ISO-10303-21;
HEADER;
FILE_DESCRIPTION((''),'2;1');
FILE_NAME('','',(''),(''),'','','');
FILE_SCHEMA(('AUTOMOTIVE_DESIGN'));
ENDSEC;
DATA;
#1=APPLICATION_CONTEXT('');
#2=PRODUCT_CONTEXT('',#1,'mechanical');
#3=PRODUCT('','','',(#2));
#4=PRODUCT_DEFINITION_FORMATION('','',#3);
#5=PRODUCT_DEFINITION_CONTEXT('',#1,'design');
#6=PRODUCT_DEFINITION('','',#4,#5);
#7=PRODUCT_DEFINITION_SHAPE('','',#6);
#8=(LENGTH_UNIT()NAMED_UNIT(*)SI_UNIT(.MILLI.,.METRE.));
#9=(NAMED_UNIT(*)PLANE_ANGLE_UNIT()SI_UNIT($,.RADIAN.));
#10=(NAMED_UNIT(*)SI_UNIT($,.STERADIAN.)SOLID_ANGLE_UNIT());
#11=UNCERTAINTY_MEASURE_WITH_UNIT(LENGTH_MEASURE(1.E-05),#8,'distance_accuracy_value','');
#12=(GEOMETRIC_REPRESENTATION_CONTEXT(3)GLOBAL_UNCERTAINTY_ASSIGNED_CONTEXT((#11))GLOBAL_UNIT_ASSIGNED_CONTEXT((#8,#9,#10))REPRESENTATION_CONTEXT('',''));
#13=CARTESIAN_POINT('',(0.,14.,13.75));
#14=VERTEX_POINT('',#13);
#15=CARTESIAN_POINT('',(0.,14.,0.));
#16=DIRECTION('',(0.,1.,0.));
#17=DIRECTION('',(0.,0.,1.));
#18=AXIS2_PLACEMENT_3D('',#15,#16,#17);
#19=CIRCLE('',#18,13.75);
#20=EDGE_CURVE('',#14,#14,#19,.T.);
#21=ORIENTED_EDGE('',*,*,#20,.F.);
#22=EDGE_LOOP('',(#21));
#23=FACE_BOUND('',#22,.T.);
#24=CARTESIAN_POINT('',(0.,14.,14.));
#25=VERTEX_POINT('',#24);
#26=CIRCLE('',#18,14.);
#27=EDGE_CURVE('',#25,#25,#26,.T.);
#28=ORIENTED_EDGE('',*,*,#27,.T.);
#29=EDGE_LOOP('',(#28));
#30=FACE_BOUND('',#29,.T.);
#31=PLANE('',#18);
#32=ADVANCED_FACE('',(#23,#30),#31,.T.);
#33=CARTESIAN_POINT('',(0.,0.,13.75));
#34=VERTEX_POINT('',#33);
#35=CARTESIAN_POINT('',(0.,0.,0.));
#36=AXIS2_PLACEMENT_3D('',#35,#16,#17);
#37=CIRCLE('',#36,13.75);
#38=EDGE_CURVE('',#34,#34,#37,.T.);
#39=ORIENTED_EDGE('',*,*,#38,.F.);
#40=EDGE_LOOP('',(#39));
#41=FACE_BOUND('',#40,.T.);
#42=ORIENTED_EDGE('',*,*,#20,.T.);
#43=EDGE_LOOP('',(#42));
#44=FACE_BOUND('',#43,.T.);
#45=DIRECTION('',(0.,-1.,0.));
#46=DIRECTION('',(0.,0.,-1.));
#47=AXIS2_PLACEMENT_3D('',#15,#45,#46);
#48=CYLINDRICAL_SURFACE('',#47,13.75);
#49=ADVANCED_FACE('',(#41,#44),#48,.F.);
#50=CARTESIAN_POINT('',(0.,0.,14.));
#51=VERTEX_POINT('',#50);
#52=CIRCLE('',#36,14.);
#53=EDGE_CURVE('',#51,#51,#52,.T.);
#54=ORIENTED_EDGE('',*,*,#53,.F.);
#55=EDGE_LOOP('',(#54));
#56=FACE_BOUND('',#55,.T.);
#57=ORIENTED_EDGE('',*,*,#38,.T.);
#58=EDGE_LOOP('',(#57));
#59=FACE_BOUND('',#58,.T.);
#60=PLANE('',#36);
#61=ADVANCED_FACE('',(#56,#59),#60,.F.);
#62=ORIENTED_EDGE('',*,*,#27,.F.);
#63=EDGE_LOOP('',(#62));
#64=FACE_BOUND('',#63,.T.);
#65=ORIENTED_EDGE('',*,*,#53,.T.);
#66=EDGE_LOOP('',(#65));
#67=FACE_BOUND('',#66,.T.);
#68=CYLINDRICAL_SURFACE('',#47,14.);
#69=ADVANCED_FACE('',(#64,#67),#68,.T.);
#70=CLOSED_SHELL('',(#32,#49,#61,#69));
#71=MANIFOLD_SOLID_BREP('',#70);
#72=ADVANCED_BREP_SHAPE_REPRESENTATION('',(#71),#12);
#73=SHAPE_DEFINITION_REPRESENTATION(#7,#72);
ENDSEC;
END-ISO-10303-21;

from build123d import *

# Parameters (mm, degrees)
SKETCH_1_R      = 14
SKETCH_1_R_2    = 13.75
EXTRUDE_1_DEPTH = 14


with BuildPart() as part:
    # ｽｹｯﾁ1 → ﾎﾞｽ - 押し出し1 (new body)
    with BuildSketch(Plane(origin=(0, 0, 0), x_dir=(1, 0, 0), z_dir=(0, 1, 0))):
        with Locations(Location((0, 0, 0), (0, 0, 270))):
            Circle(SKETCH_1_R)
        with Locations(Location((0, 0, 0), (0, 0, 270))):
            Circle(SKETCH_1_R_2, mode=Mode.SUBTRACT)
    extrude(amount=EXTRUDE_1_DEPTH)


solid = part.part
